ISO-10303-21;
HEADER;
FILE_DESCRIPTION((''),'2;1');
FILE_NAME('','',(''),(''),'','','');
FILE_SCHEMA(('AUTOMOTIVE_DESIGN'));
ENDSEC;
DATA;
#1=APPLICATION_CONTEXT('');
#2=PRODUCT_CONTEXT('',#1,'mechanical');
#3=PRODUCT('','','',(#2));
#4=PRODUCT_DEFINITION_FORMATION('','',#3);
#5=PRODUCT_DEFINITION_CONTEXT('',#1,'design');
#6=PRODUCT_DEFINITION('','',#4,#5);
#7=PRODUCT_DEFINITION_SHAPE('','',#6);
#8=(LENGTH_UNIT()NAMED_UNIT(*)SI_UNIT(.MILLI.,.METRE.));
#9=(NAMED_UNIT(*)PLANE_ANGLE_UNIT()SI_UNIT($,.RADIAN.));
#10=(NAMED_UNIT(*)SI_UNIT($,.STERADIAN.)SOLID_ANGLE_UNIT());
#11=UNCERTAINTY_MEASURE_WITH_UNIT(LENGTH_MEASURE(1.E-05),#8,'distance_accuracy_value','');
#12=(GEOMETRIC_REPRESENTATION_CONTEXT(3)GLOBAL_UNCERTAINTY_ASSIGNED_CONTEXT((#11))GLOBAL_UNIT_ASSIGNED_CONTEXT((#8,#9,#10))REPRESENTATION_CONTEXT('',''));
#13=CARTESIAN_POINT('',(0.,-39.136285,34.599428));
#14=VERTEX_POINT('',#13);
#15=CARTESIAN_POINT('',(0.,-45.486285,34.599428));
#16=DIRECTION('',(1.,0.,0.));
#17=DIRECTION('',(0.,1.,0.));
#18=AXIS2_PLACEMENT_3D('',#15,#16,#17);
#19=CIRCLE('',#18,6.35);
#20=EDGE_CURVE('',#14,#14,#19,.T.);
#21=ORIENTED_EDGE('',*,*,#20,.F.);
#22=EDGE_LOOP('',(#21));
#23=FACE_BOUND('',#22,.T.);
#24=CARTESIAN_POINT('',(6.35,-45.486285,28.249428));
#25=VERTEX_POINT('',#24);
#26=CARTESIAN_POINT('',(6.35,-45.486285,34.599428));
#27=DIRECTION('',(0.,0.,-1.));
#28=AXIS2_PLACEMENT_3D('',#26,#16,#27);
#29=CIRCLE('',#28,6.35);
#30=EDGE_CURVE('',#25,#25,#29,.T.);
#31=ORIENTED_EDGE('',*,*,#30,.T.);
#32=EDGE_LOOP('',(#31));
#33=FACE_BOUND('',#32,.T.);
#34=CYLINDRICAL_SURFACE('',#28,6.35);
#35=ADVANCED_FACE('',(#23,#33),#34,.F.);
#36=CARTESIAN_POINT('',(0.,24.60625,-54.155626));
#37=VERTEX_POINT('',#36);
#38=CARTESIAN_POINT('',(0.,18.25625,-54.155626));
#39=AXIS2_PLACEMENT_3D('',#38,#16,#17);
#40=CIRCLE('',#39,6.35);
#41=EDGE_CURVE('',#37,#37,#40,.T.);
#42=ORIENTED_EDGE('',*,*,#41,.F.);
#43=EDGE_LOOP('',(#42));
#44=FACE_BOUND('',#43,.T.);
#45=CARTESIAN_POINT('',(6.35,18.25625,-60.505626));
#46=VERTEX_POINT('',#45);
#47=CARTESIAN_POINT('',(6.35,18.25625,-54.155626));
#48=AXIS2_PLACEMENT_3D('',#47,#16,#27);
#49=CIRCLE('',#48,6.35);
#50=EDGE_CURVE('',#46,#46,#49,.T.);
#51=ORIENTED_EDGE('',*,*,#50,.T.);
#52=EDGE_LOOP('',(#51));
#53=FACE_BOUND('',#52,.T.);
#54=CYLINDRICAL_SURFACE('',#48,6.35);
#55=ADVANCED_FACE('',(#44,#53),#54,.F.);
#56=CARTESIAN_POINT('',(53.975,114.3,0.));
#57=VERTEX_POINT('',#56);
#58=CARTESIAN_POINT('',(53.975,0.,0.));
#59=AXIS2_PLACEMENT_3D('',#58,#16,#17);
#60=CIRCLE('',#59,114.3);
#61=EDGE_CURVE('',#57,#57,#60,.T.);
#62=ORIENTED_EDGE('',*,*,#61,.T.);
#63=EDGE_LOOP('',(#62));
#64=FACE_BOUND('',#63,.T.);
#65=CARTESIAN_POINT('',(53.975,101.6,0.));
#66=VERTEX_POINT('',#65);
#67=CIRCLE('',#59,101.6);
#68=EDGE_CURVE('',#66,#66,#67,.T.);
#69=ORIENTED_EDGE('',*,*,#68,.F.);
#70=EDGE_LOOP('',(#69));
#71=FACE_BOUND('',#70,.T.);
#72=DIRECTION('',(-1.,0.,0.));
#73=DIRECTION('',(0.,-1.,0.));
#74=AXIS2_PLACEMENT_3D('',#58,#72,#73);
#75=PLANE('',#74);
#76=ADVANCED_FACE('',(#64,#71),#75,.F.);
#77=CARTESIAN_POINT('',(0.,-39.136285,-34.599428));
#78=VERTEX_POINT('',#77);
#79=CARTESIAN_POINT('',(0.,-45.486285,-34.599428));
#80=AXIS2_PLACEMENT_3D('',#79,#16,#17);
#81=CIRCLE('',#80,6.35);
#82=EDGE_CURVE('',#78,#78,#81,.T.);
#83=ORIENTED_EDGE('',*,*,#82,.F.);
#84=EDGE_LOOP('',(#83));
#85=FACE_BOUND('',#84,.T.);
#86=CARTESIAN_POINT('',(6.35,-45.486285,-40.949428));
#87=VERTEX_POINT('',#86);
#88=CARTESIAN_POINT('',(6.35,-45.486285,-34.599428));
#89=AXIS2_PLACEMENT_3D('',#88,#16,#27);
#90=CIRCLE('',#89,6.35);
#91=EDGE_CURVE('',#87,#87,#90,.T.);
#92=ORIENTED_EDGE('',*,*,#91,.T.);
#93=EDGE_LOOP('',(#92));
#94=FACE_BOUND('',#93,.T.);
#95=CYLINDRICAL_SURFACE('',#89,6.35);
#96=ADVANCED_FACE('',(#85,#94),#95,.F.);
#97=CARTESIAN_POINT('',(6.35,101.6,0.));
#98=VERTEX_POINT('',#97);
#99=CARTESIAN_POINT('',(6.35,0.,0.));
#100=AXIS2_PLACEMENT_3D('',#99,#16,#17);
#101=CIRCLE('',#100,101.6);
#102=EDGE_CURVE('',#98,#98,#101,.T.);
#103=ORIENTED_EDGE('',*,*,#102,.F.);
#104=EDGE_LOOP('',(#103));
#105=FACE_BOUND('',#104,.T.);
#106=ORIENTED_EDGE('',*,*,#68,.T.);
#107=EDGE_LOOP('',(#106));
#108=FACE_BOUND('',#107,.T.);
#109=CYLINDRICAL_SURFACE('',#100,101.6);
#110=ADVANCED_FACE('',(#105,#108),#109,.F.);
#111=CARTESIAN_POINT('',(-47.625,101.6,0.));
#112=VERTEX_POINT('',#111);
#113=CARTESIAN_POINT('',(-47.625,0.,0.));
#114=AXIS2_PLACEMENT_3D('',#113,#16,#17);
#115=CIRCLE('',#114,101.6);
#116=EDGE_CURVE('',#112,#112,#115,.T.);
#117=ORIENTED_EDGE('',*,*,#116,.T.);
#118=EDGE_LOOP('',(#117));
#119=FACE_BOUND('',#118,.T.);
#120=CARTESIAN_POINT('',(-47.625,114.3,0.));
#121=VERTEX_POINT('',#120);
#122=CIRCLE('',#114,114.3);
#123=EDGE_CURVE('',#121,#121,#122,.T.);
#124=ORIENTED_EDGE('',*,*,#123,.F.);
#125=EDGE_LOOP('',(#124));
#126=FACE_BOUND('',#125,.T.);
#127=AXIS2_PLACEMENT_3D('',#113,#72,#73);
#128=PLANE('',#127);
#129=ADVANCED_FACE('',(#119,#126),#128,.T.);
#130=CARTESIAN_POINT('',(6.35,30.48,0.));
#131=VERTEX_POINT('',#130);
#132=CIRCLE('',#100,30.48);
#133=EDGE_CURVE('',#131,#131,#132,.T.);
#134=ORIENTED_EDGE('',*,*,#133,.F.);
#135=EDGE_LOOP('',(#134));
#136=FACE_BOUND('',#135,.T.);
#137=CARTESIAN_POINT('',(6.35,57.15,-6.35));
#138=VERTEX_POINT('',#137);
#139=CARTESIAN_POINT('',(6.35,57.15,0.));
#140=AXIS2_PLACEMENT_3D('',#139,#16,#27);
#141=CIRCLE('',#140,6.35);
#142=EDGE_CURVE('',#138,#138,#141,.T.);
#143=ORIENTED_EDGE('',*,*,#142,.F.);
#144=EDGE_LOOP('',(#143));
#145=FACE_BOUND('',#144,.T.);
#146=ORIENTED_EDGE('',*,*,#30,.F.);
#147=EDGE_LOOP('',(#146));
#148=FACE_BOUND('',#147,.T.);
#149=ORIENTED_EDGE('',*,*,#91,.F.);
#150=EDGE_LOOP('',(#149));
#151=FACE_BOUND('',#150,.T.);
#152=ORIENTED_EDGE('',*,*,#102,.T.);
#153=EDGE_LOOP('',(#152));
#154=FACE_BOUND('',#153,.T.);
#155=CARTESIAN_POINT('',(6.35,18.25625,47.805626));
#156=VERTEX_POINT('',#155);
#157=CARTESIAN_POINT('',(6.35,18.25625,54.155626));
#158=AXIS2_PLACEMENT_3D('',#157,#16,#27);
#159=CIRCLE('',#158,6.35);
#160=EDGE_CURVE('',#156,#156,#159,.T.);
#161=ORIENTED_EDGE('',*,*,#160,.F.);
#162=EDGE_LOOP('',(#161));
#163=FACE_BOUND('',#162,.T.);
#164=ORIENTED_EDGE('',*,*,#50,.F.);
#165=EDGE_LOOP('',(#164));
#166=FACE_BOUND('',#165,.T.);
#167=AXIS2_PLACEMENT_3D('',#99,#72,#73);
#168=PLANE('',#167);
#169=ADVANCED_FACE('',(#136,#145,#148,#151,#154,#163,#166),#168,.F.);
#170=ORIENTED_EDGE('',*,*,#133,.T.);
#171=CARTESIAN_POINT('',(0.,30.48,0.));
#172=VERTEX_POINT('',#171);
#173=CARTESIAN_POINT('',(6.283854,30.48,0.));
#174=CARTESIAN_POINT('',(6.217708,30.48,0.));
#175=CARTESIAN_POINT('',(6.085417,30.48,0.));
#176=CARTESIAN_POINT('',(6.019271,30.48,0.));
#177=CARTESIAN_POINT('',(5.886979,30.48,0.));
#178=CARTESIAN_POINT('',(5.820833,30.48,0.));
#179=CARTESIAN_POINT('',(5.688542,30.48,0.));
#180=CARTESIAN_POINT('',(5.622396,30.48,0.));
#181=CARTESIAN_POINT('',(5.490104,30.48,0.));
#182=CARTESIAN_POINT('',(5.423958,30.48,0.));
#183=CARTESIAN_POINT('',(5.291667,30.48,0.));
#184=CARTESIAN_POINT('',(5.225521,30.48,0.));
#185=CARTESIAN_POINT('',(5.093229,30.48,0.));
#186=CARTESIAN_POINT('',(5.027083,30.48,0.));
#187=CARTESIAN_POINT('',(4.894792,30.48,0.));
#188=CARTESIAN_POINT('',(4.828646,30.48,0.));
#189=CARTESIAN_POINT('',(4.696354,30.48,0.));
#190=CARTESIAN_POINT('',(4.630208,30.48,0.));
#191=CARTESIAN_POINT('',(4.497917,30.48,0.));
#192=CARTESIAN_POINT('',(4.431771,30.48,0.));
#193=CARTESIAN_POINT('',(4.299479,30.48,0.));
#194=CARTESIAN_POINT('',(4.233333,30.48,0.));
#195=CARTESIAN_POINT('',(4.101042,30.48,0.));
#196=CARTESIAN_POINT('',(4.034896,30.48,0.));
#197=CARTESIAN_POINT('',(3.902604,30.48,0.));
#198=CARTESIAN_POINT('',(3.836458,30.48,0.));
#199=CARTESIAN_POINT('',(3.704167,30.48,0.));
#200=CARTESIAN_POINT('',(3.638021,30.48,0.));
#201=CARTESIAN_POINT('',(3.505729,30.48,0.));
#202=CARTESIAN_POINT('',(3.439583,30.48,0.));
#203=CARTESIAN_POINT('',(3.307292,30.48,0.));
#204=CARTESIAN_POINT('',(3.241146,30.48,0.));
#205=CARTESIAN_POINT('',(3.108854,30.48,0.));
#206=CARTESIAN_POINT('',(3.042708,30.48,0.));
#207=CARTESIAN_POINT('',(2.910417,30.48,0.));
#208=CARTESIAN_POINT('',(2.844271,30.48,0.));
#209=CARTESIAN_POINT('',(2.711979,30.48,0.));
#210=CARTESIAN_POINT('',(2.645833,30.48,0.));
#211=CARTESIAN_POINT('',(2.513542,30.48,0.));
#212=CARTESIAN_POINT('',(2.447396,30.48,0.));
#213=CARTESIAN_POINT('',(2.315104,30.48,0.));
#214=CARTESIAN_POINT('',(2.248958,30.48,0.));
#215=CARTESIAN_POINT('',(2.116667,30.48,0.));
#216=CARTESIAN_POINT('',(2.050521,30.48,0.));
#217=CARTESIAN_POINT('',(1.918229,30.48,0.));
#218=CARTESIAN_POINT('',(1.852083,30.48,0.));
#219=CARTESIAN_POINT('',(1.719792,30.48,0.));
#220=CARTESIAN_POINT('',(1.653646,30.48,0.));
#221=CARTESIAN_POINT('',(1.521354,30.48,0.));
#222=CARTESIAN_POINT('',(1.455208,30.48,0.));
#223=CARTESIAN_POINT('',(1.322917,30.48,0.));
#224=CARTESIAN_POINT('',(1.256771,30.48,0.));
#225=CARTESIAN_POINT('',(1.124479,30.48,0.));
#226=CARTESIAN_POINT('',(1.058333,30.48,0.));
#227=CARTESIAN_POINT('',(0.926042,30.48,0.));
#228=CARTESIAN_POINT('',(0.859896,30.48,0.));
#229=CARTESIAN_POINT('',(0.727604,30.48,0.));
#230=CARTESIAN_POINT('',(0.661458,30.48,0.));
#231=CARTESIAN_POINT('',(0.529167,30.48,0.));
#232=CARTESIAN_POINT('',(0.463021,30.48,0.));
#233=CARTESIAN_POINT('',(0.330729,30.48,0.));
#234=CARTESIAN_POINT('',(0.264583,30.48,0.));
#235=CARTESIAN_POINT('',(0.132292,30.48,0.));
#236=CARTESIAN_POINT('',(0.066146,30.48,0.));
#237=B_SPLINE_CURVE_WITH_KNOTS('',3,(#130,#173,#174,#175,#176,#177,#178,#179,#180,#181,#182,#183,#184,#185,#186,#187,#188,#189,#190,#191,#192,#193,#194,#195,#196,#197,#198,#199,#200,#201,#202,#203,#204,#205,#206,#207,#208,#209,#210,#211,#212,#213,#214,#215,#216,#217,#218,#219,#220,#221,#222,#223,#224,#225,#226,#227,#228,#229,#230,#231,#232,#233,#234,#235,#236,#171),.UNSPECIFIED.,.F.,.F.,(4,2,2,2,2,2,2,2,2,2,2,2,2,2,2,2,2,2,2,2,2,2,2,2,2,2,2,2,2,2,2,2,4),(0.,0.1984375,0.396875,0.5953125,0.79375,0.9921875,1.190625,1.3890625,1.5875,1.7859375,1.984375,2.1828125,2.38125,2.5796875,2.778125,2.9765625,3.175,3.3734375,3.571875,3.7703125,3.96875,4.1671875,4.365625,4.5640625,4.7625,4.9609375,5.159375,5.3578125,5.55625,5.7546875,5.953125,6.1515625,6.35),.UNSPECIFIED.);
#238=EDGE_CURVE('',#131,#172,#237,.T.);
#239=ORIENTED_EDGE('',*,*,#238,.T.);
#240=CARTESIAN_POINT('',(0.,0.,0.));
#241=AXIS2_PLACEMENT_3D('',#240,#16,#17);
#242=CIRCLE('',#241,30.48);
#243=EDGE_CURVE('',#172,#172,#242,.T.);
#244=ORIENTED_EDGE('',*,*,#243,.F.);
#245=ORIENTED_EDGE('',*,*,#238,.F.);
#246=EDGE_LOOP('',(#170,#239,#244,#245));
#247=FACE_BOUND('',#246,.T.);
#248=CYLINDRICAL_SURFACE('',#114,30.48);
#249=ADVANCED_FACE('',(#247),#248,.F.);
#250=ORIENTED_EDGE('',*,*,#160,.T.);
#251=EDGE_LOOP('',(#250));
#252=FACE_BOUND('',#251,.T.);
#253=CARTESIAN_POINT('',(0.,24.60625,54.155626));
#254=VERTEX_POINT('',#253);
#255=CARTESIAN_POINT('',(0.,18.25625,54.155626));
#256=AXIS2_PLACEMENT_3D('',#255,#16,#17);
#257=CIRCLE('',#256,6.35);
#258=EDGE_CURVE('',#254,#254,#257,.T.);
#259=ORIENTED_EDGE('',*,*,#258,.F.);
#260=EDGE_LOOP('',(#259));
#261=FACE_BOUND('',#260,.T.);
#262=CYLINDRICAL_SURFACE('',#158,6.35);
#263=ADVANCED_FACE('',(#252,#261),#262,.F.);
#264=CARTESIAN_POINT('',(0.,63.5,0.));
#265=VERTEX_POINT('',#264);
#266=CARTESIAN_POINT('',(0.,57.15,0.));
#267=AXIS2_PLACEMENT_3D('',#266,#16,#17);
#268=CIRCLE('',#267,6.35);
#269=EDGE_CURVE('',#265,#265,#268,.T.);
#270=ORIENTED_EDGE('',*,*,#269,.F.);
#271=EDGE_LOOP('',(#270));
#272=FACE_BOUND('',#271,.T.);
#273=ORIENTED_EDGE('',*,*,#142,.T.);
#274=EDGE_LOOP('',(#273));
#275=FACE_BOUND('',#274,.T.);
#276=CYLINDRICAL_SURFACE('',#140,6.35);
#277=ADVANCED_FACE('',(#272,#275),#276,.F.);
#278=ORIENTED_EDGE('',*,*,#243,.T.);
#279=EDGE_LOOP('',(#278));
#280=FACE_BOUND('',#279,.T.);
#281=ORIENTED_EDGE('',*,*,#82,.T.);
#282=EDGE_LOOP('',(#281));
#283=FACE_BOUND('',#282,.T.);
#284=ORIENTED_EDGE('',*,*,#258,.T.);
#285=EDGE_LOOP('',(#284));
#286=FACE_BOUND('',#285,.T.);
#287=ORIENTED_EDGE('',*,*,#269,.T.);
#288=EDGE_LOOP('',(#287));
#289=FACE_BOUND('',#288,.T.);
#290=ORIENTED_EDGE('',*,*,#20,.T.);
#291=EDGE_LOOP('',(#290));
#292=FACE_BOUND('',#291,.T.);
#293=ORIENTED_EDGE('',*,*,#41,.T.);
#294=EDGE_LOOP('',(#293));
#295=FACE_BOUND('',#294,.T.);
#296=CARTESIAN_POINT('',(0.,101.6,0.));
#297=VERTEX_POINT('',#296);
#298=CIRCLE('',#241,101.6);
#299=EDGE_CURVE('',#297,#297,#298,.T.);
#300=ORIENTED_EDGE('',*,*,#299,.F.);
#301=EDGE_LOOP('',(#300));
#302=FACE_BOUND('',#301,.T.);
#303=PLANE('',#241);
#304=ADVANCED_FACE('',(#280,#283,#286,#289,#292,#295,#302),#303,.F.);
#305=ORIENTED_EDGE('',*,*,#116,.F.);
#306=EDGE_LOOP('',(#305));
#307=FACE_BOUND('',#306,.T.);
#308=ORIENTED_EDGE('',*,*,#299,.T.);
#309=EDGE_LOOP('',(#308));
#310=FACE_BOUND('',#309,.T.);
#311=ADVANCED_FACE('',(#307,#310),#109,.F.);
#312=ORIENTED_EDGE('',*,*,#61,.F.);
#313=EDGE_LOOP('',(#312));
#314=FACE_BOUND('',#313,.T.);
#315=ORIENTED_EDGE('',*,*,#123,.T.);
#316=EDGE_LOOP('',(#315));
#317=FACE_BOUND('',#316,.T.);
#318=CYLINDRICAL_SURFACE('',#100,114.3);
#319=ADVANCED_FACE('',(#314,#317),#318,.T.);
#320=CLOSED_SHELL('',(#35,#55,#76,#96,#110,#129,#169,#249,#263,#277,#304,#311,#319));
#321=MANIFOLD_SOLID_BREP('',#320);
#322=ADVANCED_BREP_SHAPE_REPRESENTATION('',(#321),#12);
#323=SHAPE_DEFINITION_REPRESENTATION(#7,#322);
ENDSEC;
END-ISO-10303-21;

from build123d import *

# Parameters (mm, degrees)
SKETCH1_W                  = 6.35
SKETCH1_H                  = 101.6
SKETCH2_R                  = 30.48
CUT_EXTRUDE2_DEPTH         = 171.417958634
F_1_2_0_5_DIAMETER_HOLE2_D = 12.7


with BuildPart() as part:
    # Sketch1 → Revolve1 (revolve)
    with BuildSketch(Plane.XY):
        with Locations((3.175, 50.8)):
            Rectangle(SKETCH1_W, SKETCH1_H)
        Polygon((-47.625, 101.6), (0, 101.6), (6.35, 101.6), (53.975, 101.6), (53.975, 114.3), (-47.625, 114.3), align=None)
    revolve(axis=Axis((6.35, 0, 0), (-1, 0, 0)))

    # Sketch2 → Cut-Extrude2 (cut, through all)
    with BuildSketch(Plane(origin=(6.35, 0, 0), x_dir=(0, 0, -1), z_dir=(1, 0, 0))):
        with Locations(Location((0, 0, 0), (0, 0, 90))):
            Circle(SKETCH2_R)
    extrude(amount=-CUT_EXTRUDE2_DEPTH, mode=Mode.SUBTRACT)

    # 1/2 (0.5) Diameter Hole2 (through all)
    with Locations(Plane(origin=(6.35, 0, 0), x_dir=(0, 0, -1), z_dir=(1, 0, 0))):
        with Locations((-54.155626078, 18.25625), (0, 57.15), (54.155626078, 18.25625), (34.599427772, -45.486284722), (-34.599427772, -45.486284722)):
            Hole(F_1_2_0_5_DIAMETER_HOLE2_D / 2)


solid = part.part
